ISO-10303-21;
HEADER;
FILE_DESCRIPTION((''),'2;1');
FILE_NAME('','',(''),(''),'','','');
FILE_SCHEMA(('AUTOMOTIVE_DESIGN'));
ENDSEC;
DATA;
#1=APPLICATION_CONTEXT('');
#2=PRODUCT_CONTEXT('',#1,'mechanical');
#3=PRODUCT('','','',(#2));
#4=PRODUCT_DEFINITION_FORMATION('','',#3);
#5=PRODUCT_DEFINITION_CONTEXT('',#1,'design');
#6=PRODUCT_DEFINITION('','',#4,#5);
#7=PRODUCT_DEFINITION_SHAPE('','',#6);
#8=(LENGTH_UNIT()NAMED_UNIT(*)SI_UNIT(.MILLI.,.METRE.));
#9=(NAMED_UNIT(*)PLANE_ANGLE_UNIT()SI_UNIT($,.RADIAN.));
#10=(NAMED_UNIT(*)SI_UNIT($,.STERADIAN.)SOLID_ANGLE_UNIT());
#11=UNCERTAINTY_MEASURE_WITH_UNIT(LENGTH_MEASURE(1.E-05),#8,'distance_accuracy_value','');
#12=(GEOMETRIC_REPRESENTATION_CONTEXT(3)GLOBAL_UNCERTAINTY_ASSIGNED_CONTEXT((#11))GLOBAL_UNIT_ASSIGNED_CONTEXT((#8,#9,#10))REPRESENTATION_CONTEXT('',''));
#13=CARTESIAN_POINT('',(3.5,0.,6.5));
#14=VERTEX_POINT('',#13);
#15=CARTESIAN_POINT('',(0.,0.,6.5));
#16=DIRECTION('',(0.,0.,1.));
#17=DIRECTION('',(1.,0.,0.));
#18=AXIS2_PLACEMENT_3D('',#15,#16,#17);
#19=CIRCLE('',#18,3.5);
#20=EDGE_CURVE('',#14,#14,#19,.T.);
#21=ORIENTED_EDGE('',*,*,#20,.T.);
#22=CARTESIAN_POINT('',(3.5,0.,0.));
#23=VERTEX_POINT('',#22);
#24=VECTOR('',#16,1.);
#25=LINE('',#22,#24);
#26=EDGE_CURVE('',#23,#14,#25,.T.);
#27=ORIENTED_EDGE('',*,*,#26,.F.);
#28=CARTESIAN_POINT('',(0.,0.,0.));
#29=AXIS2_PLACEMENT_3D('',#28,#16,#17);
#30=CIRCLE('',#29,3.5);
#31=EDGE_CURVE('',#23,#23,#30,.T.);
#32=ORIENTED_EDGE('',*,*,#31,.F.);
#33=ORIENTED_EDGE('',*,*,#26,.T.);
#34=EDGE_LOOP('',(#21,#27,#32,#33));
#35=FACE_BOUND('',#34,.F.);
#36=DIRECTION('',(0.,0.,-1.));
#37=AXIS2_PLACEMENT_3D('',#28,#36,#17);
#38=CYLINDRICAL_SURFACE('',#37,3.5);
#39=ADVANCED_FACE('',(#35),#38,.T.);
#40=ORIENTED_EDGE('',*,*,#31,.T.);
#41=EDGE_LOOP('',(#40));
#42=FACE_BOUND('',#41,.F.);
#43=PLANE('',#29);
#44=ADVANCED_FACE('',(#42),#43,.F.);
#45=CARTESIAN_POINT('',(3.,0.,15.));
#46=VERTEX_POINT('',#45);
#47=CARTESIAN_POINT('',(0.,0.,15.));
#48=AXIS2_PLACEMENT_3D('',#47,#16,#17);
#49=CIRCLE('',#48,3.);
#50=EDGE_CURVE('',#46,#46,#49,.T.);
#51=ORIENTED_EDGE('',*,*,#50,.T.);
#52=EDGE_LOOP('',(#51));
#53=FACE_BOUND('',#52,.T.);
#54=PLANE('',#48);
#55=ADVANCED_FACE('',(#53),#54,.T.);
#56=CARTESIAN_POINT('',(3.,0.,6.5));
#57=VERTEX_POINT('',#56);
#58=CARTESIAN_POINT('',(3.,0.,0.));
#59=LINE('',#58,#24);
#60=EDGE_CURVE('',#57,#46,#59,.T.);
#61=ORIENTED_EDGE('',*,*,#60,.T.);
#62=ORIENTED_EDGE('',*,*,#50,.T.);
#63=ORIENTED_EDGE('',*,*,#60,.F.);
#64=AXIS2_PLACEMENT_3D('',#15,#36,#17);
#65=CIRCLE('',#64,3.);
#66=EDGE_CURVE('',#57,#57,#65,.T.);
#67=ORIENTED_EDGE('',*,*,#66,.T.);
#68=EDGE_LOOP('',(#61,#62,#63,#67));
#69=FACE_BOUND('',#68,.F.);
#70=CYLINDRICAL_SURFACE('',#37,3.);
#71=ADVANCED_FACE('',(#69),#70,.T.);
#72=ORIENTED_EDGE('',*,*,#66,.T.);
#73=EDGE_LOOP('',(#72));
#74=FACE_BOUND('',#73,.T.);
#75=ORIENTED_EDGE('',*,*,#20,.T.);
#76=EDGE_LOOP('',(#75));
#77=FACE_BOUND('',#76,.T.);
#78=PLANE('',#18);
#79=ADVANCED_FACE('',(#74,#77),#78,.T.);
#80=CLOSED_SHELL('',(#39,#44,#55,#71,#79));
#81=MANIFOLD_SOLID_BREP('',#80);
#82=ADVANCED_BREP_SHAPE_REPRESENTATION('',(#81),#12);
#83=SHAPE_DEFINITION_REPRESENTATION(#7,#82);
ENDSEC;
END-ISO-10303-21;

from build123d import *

# Parameters (mm, degrees)
SKETCH_R     = 3.5
PAD_DEPTH    = 6.5
SKETCH001_R  = 3
PAD001_DEPTH = 15


with BuildPart() as part:
    # Sketch → Pad (new body)
    with BuildSketch(Plane.XY):
        Circle(SKETCH_R)
    extrude(amount=PAD_DEPTH)

    # Sketch001 → Pad001 (join)
    with BuildSketch(Plane.XY):
        Circle(SKETCH001_R)
    extrude(amount=PAD001_DEPTH)


solid = part.part
